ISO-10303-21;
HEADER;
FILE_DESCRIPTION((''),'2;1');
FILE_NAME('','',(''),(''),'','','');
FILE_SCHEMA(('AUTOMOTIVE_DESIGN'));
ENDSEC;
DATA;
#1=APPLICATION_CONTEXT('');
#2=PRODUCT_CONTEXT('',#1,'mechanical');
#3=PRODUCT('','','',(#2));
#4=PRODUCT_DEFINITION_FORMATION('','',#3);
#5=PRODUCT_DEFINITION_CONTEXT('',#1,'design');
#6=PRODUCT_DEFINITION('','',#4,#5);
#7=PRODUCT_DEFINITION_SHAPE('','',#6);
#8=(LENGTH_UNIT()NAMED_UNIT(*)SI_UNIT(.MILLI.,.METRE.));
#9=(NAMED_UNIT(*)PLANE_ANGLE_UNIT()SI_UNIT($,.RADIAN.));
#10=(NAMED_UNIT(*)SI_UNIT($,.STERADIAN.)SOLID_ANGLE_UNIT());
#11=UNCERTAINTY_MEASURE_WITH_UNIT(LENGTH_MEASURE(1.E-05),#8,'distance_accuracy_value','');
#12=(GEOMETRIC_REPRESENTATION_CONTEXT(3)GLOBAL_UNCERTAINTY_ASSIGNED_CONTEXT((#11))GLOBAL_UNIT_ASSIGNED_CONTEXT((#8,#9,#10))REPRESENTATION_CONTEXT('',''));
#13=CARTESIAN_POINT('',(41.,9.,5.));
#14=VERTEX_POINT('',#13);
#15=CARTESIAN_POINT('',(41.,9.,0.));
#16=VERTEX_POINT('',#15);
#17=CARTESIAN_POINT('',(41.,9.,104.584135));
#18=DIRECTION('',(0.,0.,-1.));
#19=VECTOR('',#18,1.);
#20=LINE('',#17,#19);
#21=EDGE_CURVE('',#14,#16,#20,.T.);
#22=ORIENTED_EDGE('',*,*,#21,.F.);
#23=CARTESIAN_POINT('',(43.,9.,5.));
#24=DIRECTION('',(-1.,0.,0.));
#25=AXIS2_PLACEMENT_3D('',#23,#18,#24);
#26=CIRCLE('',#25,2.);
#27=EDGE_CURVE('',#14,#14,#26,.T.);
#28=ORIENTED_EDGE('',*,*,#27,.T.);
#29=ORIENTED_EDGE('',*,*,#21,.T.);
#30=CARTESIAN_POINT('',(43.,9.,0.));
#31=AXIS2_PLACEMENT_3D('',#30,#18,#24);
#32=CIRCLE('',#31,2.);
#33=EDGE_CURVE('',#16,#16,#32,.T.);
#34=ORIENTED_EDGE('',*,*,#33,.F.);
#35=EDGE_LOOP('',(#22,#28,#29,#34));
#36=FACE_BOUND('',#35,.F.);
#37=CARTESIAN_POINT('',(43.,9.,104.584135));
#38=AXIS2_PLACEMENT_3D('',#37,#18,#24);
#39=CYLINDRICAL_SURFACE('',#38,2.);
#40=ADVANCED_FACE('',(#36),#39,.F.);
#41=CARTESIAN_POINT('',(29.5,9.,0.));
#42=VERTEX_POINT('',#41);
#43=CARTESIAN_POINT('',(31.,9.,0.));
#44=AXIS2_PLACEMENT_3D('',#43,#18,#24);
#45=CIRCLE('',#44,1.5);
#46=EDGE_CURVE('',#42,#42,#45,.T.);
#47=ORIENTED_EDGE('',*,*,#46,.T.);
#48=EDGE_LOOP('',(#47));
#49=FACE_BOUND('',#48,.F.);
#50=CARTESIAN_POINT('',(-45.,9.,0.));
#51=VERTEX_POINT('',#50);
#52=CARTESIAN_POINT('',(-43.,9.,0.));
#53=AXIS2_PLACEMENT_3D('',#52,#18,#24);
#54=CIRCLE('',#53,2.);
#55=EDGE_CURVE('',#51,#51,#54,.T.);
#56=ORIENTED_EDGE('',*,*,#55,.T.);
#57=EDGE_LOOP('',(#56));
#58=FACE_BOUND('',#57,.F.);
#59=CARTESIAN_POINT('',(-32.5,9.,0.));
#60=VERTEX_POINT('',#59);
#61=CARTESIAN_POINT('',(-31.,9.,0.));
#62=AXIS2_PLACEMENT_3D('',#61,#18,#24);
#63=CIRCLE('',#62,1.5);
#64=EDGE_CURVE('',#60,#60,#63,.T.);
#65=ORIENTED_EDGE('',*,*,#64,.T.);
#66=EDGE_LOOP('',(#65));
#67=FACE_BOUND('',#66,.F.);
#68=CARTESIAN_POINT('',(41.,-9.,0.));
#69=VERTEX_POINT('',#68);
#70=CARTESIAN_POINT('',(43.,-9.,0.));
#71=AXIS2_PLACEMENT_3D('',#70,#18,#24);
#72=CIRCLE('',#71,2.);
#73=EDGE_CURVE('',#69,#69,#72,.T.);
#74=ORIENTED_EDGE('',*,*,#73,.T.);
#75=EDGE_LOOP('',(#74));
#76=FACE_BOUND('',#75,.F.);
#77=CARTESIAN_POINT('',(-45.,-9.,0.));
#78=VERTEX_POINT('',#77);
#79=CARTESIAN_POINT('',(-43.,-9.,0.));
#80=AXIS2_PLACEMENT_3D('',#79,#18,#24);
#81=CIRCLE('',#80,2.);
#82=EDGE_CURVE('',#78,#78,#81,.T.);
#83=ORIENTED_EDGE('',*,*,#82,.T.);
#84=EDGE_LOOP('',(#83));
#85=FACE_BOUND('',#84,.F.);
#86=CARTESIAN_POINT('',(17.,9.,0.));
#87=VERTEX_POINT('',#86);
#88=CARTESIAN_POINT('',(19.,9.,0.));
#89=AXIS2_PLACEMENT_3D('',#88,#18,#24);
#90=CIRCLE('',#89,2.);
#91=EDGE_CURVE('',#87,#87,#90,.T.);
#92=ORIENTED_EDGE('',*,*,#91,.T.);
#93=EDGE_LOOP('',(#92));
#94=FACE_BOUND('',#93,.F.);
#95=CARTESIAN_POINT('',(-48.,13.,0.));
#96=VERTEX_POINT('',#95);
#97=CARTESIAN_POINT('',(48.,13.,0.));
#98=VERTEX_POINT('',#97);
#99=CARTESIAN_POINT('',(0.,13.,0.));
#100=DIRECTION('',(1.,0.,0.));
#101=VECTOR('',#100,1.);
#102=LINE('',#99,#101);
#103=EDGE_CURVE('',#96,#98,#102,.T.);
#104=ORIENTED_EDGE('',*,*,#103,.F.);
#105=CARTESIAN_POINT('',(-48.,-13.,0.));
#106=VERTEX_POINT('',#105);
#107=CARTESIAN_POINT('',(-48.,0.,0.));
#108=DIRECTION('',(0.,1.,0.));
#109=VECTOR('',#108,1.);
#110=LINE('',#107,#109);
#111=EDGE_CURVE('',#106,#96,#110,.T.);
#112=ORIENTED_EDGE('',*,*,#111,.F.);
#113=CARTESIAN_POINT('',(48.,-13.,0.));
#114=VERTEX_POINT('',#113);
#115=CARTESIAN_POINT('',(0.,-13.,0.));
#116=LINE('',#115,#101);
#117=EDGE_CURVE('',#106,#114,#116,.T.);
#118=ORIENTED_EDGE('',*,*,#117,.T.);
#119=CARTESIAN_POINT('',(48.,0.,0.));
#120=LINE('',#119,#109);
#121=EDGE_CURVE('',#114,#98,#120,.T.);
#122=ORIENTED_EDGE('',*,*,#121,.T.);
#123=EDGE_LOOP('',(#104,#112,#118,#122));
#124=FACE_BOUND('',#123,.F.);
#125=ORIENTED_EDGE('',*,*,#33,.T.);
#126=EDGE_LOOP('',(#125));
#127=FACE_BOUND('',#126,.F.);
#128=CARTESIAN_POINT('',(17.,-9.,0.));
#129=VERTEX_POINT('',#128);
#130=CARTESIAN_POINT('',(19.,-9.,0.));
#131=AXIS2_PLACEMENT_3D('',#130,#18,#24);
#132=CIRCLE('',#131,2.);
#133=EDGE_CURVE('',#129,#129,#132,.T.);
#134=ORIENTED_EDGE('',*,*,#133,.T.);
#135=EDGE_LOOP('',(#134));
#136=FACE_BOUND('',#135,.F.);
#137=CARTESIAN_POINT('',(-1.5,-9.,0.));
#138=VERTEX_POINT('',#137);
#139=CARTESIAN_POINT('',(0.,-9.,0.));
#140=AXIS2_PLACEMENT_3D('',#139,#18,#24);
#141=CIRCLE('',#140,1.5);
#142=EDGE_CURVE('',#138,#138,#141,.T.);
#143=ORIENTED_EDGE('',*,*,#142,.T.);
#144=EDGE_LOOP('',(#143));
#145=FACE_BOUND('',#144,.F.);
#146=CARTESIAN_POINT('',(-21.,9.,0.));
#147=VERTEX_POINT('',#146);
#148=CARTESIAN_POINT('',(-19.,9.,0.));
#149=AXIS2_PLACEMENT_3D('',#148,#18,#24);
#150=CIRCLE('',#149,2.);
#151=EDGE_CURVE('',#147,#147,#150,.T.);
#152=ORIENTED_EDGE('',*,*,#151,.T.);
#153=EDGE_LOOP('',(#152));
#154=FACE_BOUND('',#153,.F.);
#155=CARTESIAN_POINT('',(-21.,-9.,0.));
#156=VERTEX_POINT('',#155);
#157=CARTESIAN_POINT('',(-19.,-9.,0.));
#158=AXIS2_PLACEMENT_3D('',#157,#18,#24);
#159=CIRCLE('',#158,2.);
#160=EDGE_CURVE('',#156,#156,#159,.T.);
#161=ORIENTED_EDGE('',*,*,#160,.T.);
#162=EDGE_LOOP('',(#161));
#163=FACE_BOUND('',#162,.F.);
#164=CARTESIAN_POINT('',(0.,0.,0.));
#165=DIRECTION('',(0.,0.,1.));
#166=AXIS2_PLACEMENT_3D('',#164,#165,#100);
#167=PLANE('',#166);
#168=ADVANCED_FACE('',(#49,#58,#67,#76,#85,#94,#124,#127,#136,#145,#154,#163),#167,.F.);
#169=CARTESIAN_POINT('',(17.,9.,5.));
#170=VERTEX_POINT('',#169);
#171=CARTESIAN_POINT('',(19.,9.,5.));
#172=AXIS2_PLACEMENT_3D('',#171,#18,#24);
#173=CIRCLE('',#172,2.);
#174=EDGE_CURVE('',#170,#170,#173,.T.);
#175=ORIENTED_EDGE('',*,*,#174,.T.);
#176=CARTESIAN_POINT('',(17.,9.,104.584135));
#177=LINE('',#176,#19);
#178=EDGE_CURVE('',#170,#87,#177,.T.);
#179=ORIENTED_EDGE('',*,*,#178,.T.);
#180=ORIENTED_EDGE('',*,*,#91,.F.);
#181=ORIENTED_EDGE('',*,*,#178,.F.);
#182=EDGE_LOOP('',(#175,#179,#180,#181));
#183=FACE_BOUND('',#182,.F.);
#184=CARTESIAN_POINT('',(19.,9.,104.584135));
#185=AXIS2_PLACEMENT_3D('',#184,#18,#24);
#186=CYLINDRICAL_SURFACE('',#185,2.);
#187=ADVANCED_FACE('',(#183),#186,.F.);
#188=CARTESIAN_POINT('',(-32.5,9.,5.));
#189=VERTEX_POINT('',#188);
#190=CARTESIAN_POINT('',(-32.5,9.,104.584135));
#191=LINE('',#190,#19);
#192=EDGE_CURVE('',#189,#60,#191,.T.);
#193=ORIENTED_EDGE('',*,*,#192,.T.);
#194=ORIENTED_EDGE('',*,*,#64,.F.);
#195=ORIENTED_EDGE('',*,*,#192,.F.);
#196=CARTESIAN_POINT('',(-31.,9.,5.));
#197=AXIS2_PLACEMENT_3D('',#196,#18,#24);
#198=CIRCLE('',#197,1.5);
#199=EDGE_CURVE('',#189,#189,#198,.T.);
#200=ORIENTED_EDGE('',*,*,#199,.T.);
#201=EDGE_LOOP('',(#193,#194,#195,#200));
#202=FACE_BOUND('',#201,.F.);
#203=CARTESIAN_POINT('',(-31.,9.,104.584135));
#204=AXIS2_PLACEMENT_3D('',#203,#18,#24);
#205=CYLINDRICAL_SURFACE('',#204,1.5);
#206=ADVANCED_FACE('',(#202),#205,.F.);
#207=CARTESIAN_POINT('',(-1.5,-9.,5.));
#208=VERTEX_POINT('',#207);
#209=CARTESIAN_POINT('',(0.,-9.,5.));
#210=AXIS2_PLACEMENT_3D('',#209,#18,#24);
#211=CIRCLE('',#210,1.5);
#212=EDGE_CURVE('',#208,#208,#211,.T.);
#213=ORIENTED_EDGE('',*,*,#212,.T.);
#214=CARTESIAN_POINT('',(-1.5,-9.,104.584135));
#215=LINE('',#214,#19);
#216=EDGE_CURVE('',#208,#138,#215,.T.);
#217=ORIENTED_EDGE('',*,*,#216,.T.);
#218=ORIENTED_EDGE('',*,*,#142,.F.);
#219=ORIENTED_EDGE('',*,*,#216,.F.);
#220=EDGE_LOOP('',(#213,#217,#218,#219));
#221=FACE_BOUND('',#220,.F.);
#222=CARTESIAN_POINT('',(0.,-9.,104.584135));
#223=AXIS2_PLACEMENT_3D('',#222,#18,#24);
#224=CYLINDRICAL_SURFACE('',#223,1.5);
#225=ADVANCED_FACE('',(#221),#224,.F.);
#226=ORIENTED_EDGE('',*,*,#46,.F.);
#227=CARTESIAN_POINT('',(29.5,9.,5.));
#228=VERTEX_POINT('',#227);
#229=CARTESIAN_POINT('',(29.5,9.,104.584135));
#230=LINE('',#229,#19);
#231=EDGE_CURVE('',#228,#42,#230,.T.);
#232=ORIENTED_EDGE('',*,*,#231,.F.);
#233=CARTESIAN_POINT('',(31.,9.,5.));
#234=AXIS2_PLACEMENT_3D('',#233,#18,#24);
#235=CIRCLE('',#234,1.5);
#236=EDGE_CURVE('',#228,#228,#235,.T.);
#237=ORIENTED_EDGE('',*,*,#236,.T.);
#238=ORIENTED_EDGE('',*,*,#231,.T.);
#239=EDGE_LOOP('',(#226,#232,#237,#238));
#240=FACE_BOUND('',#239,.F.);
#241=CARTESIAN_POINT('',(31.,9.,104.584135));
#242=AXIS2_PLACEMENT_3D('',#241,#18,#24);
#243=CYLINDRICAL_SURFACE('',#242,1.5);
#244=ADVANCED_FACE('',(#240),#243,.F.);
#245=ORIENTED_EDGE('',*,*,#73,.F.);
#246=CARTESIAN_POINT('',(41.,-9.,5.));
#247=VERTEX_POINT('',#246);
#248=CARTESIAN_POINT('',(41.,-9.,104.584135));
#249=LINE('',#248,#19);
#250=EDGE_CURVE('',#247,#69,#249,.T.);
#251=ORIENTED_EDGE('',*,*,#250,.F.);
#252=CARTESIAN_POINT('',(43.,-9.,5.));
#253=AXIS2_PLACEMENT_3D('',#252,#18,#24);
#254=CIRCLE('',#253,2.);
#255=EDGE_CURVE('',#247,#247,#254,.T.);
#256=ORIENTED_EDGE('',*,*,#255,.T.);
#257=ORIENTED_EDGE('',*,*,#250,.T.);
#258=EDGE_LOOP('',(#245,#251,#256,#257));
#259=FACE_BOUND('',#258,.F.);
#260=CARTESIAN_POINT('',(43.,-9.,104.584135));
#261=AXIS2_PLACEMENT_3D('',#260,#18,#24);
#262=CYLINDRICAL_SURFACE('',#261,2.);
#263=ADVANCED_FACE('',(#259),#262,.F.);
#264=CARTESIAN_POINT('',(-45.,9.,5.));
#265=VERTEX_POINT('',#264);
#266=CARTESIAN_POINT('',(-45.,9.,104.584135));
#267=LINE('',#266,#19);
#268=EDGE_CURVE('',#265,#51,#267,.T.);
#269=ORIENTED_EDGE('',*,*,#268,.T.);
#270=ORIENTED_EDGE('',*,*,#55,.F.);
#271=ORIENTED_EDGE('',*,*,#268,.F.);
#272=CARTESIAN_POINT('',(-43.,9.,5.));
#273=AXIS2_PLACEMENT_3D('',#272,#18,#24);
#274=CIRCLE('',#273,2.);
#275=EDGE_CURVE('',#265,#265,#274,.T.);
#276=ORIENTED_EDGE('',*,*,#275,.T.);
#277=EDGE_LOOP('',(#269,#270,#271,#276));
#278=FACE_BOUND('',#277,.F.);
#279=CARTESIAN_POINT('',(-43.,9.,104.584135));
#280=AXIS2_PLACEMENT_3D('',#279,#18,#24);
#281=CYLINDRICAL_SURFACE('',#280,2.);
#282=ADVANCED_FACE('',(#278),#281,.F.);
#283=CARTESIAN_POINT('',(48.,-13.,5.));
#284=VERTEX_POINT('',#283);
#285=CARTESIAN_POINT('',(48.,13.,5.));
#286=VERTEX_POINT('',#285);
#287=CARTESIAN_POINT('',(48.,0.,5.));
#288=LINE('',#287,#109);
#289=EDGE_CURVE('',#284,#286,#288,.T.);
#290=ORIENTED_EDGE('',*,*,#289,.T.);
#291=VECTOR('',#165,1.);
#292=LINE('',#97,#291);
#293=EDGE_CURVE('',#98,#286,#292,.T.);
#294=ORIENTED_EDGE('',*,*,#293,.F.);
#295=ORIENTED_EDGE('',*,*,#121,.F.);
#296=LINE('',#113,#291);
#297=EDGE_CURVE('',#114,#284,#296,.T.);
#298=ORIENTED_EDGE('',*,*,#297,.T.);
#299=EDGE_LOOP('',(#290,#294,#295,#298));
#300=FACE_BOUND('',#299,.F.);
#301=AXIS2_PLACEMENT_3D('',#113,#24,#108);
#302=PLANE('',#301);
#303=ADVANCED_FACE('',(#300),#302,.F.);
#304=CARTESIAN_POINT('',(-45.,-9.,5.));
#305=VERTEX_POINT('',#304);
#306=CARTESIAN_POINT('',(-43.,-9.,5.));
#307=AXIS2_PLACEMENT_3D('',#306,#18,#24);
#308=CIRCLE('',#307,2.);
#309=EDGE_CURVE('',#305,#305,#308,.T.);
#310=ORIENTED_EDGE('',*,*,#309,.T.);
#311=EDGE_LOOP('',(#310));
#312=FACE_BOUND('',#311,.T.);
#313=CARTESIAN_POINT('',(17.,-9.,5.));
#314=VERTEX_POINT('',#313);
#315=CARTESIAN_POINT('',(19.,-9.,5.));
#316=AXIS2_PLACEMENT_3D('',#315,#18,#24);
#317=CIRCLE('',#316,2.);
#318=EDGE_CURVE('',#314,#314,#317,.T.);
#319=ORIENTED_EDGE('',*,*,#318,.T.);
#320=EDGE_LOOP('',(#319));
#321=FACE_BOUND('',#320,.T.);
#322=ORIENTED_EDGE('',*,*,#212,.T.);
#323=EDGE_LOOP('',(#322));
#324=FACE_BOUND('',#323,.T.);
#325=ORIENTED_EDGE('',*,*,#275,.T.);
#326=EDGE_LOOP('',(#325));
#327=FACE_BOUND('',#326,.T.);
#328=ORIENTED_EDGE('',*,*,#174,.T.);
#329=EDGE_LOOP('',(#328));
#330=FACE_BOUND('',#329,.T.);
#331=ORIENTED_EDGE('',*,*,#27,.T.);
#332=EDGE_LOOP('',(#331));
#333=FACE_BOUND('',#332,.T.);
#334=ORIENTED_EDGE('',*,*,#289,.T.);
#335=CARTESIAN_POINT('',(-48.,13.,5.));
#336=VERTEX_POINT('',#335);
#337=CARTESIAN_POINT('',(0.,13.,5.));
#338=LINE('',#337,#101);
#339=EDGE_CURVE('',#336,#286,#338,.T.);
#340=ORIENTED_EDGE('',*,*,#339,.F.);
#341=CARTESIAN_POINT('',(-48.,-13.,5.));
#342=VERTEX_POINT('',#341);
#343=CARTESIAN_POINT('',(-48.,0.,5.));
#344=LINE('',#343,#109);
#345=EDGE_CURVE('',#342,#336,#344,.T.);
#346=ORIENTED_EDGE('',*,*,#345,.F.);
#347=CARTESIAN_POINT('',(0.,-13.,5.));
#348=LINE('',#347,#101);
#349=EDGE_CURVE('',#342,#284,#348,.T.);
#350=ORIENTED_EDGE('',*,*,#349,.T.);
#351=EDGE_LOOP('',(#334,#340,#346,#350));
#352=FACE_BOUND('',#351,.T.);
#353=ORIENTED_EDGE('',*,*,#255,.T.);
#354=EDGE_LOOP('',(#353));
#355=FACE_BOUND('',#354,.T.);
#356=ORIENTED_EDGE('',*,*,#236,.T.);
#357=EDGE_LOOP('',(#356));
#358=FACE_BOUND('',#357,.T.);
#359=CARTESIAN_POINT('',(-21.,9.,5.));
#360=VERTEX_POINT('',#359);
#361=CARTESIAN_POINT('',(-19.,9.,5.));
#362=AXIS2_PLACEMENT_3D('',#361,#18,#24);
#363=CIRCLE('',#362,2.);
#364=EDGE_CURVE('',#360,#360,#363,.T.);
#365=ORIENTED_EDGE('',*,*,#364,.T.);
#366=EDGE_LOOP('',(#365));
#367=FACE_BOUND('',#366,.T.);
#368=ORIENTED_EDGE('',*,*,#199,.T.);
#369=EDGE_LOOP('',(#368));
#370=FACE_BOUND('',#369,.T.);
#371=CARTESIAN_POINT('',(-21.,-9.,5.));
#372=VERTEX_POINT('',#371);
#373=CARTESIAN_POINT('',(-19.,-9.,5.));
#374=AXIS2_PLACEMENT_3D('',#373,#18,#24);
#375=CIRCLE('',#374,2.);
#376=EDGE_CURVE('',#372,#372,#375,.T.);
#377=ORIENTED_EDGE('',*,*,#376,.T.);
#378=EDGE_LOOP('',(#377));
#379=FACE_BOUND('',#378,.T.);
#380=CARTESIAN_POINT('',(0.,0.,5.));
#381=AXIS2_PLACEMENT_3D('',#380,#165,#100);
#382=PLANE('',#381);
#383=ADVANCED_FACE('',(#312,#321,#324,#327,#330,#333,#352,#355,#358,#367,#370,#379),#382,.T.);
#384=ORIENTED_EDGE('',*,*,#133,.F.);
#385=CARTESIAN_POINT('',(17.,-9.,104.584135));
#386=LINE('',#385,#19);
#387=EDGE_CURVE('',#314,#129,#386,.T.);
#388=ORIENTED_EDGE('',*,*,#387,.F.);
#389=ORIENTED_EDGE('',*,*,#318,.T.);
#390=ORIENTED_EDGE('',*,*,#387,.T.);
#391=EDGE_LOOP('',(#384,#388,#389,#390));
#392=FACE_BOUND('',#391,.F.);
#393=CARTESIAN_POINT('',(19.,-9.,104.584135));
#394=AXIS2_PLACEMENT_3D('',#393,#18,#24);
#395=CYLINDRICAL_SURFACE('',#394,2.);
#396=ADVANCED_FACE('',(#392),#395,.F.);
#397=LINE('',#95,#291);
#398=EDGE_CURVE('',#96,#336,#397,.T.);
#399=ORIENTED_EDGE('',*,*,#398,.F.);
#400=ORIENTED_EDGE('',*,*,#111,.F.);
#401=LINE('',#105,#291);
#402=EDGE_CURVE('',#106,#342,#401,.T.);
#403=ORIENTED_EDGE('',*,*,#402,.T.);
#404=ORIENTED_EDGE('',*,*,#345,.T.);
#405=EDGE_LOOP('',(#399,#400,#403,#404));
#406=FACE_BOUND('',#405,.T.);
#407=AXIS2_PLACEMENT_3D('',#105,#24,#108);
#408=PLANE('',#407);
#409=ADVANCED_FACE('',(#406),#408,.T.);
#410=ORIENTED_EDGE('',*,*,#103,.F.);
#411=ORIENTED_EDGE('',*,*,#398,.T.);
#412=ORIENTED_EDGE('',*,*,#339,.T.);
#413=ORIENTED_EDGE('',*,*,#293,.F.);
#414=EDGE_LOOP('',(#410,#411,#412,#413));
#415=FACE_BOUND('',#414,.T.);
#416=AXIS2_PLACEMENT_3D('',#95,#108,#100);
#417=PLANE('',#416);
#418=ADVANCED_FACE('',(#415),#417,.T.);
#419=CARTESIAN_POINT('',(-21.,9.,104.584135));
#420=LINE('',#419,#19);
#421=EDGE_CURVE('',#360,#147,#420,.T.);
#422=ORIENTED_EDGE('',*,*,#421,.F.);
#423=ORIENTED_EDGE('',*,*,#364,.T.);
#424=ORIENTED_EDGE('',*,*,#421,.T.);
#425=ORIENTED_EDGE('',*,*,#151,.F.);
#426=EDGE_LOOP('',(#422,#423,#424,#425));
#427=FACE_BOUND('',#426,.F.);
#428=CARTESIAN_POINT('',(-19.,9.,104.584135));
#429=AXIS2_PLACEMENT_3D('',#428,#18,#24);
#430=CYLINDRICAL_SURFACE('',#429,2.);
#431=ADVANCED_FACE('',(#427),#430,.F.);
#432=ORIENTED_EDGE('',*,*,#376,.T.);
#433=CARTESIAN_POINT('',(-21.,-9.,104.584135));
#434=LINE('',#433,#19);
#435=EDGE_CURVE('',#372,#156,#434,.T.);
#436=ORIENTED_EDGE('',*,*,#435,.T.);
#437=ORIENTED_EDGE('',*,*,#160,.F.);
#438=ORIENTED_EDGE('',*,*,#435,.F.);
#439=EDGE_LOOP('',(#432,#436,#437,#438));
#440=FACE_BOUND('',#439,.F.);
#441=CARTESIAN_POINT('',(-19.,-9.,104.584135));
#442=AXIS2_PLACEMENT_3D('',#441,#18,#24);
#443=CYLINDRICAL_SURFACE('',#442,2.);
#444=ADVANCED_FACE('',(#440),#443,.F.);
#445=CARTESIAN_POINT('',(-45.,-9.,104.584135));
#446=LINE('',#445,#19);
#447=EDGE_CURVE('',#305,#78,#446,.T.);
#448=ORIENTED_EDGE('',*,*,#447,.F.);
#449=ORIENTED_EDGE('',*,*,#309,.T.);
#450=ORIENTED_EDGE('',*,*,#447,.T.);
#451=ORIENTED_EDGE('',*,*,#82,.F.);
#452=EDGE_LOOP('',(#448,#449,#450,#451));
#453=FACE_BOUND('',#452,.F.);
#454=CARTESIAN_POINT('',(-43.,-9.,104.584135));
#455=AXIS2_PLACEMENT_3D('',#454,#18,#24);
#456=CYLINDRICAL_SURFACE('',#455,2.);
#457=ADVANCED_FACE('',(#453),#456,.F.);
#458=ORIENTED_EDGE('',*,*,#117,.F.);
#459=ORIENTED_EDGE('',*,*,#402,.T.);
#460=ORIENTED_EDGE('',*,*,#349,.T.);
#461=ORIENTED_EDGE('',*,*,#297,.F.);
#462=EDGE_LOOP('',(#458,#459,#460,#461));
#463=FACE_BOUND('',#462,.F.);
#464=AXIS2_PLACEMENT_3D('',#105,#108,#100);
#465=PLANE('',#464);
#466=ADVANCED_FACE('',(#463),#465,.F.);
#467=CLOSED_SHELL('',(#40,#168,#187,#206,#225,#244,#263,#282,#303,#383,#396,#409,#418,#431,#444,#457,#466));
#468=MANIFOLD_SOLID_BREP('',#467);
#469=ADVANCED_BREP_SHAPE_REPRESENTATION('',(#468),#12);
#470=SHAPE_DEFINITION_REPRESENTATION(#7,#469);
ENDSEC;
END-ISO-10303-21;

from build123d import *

# Parameters (mm, degrees)
F0_W     = 96
F0_H     = 26
F1_DEPTH = 5
F3_D     = 4
F5_D     = 3


with BuildPart() as f1:
    # F0 (on Top) → F1 (new body)
    with BuildSketch(Plane.XY):
        Rectangle(F0_W, F0_H)
    extrude(amount=F1_DEPTH)

    # F3 (through all)
    with Locations(Plane.XY.offset(5)):
        with Locations((-43, 9), (-19, 9), (19, 9), (43, 9), (43, -9), (19, -9), (-19, -9), (-43, -9)):
            Hole(F3_D / 2)

    # F5 (through all)
    with Locations(Plane.XY.offset(5)):
        with Locations((-31, 9), (0, -9), (31, 9)):
            Hole(F5_D / 2)


solid = f1.part
